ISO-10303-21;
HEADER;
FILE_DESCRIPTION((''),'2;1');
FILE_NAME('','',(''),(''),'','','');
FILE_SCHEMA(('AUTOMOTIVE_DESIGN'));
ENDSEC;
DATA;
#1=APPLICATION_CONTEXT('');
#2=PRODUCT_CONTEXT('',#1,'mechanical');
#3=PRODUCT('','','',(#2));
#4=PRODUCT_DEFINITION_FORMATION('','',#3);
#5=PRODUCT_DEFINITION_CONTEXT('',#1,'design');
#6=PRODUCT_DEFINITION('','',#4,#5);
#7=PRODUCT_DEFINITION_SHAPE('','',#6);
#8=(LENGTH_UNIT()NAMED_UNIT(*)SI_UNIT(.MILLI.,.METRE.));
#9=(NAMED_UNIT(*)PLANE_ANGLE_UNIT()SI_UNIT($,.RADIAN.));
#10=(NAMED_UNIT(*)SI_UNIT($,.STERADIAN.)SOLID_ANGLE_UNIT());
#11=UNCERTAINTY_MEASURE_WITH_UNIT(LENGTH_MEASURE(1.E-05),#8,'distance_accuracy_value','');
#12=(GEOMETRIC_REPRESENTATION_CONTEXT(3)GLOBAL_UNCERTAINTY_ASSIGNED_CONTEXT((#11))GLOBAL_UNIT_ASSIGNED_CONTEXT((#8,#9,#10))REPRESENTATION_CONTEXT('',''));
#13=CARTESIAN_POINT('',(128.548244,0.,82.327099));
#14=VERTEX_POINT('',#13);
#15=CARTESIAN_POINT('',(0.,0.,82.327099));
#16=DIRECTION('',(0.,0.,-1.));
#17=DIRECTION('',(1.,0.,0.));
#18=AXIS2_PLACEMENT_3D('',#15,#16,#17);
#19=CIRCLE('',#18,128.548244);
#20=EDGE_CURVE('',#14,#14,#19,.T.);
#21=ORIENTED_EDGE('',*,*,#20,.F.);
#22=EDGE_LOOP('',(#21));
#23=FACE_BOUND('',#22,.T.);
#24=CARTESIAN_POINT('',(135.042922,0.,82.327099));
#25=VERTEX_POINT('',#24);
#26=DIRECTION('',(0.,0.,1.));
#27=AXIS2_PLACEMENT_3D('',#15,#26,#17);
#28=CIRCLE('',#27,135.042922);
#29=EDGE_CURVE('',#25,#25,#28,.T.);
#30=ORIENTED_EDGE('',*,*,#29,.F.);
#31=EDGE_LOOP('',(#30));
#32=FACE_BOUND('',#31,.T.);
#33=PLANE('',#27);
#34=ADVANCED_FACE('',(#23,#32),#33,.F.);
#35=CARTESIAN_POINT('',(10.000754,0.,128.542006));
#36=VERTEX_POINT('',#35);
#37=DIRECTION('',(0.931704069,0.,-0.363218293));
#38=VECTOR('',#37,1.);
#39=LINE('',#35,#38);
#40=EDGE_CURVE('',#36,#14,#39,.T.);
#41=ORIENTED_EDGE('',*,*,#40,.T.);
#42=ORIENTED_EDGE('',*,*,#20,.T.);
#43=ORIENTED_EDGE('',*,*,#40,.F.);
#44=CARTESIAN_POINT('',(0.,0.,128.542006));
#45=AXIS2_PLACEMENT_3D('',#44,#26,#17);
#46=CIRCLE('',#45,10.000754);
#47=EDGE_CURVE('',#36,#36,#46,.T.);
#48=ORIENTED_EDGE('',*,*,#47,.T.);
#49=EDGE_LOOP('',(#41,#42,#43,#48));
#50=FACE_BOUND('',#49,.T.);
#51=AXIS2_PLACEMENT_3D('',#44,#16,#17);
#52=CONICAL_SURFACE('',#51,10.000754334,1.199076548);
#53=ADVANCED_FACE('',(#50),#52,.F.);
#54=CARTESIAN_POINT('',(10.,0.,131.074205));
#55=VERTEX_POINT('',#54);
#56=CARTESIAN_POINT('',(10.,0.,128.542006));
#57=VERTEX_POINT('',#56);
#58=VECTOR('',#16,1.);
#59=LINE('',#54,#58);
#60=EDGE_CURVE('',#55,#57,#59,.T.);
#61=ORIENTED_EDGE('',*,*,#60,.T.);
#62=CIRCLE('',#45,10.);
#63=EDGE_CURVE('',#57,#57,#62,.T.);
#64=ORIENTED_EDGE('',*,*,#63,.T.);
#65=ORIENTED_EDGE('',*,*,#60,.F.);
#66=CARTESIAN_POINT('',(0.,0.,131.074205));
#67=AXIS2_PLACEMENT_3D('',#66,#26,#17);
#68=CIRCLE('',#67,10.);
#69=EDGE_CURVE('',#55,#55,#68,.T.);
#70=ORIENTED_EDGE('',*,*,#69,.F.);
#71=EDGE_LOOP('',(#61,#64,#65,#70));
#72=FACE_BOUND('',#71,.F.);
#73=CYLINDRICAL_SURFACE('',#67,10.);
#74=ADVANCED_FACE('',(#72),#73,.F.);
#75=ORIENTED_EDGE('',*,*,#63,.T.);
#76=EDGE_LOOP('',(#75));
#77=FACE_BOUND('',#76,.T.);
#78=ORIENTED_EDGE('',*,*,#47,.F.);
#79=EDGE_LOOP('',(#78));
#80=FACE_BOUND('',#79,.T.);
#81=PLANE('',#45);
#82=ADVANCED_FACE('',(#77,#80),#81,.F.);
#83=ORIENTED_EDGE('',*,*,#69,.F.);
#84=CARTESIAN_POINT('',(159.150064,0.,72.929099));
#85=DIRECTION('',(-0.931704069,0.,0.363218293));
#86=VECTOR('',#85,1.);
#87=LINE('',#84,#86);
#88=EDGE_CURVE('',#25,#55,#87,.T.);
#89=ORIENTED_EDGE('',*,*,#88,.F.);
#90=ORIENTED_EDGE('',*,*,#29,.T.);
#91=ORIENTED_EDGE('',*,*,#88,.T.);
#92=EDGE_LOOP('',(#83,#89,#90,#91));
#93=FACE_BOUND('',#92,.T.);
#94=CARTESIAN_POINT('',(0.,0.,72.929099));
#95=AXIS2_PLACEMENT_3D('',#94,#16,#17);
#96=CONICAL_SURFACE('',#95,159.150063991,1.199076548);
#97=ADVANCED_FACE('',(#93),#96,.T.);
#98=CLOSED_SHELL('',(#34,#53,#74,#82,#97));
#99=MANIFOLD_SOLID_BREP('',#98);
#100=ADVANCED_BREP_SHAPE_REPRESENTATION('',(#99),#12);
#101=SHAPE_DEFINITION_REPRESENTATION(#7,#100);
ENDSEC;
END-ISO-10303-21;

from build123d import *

# Parameters (mm, degrees)
F2_DEPTH = 25.4
F3_DEPTH = 9.398


with BuildPart() as f1:
    # F0 (on Front) → F1 (revolve)
    with BuildSketch(Plane.XZ):
        Polygon((11.2185701728, 72.9290992022), (159.1500639915, 72.9290992022), (10, 131.0742050409), (0, 131.0742050409), (0, 128.5420060158), (10.000754334, 128.5420060158), (135.111038288, 79.7686397339), (11.2185701728, 79.6332210302), align=None)
    revolve(axis=Axis((0, 0, 129.8081055284), (0, 0, 1)))

    # F2 (cut): a face of the model
    f2_faces = [f1.faces().sort_by_distance(p)[0] for p in [
        (0, 0, 131.0742050409),
    ]]
    extrude(f2_faces, amount=-F2_DEPTH, mode=Mode.SUBTRACT)

    # F3 (cut): a face of the model
    f3_faces = [f1.faces().sort_by_distance(p)[0] for p in [
        (-15.7200137518, 0, 72.9290992022),
    ]]
    extrude(f3_faces, amount=-F3_DEPTH, mode=Mode.SUBTRACT)


solid = f1.part
